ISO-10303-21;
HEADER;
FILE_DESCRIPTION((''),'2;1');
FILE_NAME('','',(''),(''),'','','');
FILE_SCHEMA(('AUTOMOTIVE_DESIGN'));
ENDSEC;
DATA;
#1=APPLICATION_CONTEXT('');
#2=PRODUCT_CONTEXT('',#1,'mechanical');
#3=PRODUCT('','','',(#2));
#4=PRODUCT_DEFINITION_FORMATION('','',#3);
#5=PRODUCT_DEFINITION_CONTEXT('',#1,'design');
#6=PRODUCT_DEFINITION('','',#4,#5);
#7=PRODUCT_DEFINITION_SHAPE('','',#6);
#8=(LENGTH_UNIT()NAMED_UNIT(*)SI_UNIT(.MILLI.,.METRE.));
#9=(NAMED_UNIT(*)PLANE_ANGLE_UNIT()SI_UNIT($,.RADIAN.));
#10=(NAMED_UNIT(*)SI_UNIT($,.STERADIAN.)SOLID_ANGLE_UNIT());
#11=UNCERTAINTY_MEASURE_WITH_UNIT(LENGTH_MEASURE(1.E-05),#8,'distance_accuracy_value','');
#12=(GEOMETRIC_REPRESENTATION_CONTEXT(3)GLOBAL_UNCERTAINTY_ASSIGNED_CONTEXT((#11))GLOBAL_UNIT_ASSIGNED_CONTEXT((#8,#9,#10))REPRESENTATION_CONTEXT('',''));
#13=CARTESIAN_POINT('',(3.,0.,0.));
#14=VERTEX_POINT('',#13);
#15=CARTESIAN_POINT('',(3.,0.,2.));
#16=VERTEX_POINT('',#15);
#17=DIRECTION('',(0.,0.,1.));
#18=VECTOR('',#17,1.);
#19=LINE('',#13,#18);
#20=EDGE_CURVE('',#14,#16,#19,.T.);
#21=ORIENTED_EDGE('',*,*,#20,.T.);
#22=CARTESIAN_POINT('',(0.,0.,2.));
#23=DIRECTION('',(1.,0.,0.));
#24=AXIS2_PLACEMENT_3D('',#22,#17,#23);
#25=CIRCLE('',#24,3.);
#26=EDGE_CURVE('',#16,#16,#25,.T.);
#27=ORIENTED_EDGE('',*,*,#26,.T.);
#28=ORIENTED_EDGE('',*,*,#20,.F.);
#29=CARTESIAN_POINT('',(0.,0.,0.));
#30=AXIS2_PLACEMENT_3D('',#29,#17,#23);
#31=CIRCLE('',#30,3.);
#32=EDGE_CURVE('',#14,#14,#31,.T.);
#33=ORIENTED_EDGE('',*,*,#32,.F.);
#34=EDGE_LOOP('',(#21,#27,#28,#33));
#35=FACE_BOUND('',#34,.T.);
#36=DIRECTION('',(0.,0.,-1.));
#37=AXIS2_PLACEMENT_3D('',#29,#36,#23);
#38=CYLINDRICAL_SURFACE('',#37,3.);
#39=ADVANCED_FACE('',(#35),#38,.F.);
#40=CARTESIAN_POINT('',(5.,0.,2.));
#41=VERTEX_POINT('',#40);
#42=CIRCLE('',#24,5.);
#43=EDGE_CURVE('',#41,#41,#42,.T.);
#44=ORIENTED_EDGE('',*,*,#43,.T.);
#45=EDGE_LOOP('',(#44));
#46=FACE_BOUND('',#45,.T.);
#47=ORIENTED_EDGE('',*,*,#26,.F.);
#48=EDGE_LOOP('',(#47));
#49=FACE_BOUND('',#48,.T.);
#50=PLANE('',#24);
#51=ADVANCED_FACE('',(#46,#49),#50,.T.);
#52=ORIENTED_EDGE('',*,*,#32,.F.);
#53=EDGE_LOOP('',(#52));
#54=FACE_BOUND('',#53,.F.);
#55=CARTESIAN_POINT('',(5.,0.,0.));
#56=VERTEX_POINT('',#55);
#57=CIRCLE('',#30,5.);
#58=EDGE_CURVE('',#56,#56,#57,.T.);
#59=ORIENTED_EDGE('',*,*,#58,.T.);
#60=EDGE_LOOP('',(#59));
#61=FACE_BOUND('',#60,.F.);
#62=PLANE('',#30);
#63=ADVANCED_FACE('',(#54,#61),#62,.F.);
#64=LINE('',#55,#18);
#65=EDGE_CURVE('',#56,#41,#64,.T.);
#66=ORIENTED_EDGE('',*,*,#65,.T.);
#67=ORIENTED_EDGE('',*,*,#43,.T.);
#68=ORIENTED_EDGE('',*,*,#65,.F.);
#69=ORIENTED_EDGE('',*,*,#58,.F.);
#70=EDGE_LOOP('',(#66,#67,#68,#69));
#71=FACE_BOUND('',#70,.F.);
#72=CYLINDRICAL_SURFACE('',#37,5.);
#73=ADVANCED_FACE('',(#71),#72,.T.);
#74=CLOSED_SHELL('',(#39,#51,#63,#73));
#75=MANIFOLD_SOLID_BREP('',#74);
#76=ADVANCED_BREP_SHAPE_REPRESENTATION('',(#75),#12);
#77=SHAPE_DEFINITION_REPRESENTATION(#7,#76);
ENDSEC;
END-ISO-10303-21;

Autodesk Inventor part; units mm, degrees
ref_plane "YZ Plane" through (0, 0, 0) normal (1, 0, 0) x (0, 1, 0)
ref_plane "XZ Plane" through (0, 0, 0) normal (0, 1, 0) x (-1, 0, 0)
ref_plane "XY Plane" through (0, 0, 0) normal (0, 0, 1) x (1, 0, 0)
sketch "スケッチ1" plane through (0, 0, 0) normal (0, 0, 1) x (1, 0, 0)
  circle A0 centre (0, 0) radius 3
  circle A1 centre (0, 0) radius 5
  dimension "d0" = 6
  dimension "d1" = 10
extrude "押し出し1" add sketch "スケッチ1" along normal blind 2
properties part number "C-WSSA10-6-1" material "ステンレス鋼 AISI 304"
